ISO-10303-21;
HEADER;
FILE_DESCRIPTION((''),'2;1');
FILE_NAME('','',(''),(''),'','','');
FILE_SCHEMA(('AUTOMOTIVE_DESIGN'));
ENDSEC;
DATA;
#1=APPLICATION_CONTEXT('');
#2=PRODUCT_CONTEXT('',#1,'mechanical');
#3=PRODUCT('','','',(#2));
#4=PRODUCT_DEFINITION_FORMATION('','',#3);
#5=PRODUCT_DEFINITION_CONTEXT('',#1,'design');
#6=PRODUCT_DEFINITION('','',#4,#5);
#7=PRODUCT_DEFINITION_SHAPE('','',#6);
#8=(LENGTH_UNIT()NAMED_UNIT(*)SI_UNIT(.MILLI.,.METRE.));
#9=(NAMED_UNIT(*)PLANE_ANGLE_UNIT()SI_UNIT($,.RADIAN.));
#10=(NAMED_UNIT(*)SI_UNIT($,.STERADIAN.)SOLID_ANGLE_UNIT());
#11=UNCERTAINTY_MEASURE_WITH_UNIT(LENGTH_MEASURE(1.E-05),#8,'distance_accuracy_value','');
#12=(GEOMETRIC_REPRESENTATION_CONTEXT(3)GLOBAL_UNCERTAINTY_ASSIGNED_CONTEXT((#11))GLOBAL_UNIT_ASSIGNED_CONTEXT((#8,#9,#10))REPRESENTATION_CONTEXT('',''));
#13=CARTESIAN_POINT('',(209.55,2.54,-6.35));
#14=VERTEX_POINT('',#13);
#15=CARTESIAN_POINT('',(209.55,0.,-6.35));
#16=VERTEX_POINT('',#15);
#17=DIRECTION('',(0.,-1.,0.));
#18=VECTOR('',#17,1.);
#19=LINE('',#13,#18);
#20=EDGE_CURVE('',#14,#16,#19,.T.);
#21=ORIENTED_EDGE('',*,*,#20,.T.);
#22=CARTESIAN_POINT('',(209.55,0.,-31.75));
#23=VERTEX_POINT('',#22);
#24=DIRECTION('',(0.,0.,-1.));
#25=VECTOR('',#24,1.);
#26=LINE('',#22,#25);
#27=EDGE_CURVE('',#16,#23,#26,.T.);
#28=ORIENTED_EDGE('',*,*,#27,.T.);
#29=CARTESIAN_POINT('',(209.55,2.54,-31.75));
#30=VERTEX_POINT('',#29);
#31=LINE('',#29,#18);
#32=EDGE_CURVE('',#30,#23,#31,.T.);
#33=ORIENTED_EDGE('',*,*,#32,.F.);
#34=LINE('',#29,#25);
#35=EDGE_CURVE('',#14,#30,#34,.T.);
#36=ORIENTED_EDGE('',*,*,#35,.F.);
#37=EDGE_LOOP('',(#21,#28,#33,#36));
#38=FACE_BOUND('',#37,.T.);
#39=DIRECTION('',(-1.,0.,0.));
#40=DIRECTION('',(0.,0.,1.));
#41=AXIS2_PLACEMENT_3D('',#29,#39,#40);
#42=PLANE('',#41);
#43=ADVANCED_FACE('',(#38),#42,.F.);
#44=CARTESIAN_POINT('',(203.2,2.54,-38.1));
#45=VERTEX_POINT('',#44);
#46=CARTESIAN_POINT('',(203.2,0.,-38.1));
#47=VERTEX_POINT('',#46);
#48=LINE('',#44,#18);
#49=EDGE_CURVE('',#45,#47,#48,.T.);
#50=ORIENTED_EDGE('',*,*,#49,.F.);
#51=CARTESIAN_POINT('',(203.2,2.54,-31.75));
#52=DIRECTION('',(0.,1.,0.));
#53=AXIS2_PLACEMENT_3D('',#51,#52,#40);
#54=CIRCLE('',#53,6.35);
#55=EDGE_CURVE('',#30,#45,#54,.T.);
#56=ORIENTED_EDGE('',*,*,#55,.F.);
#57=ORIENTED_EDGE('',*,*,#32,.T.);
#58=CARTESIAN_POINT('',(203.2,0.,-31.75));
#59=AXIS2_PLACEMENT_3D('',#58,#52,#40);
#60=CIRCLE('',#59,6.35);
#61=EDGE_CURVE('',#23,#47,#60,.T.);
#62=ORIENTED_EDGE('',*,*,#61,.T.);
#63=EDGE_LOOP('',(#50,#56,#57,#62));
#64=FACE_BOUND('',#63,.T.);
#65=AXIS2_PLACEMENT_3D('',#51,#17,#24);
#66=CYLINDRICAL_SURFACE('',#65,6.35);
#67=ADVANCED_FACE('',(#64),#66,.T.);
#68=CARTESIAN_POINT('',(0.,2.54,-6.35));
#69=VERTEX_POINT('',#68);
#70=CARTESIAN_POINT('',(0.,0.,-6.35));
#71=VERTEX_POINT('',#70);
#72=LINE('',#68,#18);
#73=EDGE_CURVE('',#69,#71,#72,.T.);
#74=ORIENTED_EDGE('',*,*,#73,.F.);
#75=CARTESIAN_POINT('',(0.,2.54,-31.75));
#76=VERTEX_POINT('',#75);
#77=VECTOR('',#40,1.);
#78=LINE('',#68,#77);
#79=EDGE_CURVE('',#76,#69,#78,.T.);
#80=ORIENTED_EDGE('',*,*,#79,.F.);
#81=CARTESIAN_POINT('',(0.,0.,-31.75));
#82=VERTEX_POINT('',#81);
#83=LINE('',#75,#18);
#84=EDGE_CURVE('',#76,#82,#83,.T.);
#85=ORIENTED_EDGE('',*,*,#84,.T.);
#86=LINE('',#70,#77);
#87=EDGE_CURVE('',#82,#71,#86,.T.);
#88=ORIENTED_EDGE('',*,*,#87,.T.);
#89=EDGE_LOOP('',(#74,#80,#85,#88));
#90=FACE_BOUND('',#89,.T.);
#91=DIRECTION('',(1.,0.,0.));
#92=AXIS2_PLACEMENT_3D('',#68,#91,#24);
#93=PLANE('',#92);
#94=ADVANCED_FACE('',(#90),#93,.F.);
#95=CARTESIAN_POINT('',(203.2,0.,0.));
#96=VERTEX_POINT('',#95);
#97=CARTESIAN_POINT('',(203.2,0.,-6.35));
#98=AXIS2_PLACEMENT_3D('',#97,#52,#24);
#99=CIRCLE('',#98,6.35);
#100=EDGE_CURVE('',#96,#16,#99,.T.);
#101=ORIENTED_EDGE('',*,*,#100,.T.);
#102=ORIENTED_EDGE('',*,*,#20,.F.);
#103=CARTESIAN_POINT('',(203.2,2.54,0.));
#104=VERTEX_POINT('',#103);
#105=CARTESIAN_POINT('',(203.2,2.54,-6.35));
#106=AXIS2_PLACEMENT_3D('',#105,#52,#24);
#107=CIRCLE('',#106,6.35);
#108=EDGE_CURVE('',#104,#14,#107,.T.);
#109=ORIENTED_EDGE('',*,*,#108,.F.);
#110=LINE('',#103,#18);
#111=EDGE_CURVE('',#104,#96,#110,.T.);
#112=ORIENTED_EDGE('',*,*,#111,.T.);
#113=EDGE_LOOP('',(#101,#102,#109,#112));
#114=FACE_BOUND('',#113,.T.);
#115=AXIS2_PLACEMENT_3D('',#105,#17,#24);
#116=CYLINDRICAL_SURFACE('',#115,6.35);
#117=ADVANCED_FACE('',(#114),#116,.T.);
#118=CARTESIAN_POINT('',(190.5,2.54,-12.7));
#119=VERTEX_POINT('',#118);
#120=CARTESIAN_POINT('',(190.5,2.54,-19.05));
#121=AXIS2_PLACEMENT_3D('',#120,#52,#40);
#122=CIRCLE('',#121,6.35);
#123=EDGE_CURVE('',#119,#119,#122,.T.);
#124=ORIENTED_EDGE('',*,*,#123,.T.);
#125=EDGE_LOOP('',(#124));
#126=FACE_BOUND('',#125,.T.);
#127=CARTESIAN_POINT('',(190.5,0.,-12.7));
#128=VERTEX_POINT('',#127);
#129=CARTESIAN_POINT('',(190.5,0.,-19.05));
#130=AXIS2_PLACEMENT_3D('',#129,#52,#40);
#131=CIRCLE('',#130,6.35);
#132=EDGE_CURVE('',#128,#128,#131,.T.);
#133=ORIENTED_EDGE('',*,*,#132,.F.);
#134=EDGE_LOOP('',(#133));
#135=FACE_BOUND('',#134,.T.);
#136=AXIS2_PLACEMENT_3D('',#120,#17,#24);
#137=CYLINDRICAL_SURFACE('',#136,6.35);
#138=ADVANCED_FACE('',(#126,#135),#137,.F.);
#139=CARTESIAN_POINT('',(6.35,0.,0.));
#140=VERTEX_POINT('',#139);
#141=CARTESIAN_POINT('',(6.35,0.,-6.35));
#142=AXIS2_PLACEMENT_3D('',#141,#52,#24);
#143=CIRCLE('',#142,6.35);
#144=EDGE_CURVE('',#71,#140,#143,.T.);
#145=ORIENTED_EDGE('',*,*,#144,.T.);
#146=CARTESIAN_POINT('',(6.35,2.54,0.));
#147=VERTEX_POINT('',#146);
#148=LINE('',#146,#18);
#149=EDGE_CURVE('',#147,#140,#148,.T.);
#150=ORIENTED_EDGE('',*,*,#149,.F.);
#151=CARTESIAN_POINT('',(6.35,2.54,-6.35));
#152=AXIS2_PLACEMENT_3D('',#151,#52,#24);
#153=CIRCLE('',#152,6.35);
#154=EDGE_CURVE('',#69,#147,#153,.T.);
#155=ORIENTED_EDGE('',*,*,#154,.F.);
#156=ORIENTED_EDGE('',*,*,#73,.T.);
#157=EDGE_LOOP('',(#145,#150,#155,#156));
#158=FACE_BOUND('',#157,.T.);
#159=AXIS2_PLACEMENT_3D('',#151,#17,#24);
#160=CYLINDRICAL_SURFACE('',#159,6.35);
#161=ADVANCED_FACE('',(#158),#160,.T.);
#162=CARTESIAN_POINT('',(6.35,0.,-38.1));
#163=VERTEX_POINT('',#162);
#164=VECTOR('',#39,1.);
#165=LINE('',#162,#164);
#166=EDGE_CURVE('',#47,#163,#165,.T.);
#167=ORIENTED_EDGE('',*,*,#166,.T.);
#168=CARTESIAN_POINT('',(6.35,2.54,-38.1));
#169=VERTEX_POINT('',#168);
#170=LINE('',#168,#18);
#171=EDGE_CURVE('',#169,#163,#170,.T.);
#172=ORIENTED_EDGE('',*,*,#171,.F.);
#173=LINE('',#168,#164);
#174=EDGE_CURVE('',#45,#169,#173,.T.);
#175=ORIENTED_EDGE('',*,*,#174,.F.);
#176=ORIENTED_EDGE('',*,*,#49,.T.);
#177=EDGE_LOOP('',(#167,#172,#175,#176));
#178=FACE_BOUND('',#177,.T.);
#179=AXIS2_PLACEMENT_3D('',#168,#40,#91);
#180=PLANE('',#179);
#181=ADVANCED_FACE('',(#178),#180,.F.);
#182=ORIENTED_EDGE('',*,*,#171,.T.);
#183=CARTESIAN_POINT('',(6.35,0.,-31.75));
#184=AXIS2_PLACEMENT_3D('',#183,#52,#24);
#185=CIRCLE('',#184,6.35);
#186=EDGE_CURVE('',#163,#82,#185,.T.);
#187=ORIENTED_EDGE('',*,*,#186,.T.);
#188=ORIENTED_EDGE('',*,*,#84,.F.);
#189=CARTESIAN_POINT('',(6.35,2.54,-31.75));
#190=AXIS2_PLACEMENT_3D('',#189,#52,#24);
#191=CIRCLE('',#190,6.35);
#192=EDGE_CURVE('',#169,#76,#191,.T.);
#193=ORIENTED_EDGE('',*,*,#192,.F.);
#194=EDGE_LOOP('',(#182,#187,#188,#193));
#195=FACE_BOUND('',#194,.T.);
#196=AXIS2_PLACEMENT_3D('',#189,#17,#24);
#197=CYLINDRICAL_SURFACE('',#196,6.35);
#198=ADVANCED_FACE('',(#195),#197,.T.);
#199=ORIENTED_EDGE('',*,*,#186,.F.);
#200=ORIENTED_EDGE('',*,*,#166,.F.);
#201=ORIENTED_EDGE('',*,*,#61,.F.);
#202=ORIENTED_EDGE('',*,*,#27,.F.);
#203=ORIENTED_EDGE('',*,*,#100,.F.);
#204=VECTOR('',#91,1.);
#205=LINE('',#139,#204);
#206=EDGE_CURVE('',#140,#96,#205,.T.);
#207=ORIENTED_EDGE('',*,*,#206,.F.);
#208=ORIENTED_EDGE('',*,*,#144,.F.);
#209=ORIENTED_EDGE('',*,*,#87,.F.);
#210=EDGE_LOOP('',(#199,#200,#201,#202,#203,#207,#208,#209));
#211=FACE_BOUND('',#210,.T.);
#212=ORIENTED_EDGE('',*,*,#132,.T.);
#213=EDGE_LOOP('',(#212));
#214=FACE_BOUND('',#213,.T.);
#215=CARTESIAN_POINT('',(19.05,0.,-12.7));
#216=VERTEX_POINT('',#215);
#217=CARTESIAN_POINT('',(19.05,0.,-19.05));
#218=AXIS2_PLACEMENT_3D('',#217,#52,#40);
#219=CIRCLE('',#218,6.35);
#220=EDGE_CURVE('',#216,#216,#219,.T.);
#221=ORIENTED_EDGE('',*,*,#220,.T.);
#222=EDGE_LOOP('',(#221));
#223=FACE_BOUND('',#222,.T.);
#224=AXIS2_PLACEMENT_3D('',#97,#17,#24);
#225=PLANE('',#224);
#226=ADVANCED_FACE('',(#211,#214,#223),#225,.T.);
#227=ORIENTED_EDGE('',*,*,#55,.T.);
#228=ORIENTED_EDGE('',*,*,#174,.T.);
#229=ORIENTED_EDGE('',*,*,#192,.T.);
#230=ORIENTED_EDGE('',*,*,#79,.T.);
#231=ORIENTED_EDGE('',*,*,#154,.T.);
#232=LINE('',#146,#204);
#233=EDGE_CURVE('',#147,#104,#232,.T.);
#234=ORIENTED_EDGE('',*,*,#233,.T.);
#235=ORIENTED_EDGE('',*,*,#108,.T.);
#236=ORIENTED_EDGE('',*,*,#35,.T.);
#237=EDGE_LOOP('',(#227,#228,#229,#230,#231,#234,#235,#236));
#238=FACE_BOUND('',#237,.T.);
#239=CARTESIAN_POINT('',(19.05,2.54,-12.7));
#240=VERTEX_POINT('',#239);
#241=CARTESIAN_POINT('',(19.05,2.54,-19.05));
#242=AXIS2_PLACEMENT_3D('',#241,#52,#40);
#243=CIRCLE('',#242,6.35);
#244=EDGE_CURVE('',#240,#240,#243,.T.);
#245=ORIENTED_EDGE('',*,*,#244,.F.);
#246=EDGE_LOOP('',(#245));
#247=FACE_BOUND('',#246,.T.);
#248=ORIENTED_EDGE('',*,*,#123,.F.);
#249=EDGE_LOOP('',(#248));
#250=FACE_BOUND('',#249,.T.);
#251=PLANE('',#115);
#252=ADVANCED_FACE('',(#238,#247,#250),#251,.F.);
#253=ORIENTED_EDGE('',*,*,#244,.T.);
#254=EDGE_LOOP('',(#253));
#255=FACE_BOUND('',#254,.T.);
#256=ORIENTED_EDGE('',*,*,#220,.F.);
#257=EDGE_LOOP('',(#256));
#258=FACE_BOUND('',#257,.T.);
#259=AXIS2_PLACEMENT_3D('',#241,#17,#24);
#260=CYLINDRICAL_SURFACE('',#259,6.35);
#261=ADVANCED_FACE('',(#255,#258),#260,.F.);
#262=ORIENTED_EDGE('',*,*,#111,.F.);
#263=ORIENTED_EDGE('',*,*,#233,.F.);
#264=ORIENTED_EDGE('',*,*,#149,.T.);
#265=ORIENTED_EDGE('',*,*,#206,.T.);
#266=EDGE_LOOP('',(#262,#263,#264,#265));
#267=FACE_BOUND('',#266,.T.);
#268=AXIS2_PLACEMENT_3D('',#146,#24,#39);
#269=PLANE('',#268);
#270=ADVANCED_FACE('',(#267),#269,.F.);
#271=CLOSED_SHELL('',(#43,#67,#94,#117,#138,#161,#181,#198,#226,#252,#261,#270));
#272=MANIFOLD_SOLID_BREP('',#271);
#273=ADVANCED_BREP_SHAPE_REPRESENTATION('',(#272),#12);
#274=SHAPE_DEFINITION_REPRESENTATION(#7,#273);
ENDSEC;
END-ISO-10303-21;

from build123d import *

# Parameters (mm, degrees)
SKETCH1_R           = 6.35
BOSS_EXTRUDE1_DEPTH = 2.54


with BuildPart() as part:
    # Sketch1 → Boss-Extrude1 (new body)
    with BuildSketch(Plane(origin=(0, 0, 0), x_dir=(1, 0, 0), z_dir=(0, 1, 0))):
        with BuildLine():
            Line((6.35, 0), (203.2, 0))
            ThreePointArc((203.2, 0), (207.690128061, 1.859871939), (209.55, 6.35))
            Line((209.55, 6.35), (209.55, 31.75))
            ThreePointArc((209.55, 31.75), (207.690128061, 36.240128061), (203.2, 38.1))
            Line((203.2, 38.1), (6.35, 38.1))
            ThreePointArc((6.35, 38.1), (1.859871939, 36.240128061), (0, 31.75))
            Line((0, 31.75), (0, 6.35))
            ThreePointArc((0, 6.35), (1.859871939, 1.859871939), (6.35, 0))
        make_face()
        with Locations((19.05, 19.05)):
            Circle(SKETCH1_R, mode=Mode.SUBTRACT)
        with Locations((190.5, 19.05)):
            Circle(SKETCH1_R, mode=Mode.SUBTRACT)
    extrude(amount=BOSS_EXTRUDE1_DEPTH)


solid = part.part
